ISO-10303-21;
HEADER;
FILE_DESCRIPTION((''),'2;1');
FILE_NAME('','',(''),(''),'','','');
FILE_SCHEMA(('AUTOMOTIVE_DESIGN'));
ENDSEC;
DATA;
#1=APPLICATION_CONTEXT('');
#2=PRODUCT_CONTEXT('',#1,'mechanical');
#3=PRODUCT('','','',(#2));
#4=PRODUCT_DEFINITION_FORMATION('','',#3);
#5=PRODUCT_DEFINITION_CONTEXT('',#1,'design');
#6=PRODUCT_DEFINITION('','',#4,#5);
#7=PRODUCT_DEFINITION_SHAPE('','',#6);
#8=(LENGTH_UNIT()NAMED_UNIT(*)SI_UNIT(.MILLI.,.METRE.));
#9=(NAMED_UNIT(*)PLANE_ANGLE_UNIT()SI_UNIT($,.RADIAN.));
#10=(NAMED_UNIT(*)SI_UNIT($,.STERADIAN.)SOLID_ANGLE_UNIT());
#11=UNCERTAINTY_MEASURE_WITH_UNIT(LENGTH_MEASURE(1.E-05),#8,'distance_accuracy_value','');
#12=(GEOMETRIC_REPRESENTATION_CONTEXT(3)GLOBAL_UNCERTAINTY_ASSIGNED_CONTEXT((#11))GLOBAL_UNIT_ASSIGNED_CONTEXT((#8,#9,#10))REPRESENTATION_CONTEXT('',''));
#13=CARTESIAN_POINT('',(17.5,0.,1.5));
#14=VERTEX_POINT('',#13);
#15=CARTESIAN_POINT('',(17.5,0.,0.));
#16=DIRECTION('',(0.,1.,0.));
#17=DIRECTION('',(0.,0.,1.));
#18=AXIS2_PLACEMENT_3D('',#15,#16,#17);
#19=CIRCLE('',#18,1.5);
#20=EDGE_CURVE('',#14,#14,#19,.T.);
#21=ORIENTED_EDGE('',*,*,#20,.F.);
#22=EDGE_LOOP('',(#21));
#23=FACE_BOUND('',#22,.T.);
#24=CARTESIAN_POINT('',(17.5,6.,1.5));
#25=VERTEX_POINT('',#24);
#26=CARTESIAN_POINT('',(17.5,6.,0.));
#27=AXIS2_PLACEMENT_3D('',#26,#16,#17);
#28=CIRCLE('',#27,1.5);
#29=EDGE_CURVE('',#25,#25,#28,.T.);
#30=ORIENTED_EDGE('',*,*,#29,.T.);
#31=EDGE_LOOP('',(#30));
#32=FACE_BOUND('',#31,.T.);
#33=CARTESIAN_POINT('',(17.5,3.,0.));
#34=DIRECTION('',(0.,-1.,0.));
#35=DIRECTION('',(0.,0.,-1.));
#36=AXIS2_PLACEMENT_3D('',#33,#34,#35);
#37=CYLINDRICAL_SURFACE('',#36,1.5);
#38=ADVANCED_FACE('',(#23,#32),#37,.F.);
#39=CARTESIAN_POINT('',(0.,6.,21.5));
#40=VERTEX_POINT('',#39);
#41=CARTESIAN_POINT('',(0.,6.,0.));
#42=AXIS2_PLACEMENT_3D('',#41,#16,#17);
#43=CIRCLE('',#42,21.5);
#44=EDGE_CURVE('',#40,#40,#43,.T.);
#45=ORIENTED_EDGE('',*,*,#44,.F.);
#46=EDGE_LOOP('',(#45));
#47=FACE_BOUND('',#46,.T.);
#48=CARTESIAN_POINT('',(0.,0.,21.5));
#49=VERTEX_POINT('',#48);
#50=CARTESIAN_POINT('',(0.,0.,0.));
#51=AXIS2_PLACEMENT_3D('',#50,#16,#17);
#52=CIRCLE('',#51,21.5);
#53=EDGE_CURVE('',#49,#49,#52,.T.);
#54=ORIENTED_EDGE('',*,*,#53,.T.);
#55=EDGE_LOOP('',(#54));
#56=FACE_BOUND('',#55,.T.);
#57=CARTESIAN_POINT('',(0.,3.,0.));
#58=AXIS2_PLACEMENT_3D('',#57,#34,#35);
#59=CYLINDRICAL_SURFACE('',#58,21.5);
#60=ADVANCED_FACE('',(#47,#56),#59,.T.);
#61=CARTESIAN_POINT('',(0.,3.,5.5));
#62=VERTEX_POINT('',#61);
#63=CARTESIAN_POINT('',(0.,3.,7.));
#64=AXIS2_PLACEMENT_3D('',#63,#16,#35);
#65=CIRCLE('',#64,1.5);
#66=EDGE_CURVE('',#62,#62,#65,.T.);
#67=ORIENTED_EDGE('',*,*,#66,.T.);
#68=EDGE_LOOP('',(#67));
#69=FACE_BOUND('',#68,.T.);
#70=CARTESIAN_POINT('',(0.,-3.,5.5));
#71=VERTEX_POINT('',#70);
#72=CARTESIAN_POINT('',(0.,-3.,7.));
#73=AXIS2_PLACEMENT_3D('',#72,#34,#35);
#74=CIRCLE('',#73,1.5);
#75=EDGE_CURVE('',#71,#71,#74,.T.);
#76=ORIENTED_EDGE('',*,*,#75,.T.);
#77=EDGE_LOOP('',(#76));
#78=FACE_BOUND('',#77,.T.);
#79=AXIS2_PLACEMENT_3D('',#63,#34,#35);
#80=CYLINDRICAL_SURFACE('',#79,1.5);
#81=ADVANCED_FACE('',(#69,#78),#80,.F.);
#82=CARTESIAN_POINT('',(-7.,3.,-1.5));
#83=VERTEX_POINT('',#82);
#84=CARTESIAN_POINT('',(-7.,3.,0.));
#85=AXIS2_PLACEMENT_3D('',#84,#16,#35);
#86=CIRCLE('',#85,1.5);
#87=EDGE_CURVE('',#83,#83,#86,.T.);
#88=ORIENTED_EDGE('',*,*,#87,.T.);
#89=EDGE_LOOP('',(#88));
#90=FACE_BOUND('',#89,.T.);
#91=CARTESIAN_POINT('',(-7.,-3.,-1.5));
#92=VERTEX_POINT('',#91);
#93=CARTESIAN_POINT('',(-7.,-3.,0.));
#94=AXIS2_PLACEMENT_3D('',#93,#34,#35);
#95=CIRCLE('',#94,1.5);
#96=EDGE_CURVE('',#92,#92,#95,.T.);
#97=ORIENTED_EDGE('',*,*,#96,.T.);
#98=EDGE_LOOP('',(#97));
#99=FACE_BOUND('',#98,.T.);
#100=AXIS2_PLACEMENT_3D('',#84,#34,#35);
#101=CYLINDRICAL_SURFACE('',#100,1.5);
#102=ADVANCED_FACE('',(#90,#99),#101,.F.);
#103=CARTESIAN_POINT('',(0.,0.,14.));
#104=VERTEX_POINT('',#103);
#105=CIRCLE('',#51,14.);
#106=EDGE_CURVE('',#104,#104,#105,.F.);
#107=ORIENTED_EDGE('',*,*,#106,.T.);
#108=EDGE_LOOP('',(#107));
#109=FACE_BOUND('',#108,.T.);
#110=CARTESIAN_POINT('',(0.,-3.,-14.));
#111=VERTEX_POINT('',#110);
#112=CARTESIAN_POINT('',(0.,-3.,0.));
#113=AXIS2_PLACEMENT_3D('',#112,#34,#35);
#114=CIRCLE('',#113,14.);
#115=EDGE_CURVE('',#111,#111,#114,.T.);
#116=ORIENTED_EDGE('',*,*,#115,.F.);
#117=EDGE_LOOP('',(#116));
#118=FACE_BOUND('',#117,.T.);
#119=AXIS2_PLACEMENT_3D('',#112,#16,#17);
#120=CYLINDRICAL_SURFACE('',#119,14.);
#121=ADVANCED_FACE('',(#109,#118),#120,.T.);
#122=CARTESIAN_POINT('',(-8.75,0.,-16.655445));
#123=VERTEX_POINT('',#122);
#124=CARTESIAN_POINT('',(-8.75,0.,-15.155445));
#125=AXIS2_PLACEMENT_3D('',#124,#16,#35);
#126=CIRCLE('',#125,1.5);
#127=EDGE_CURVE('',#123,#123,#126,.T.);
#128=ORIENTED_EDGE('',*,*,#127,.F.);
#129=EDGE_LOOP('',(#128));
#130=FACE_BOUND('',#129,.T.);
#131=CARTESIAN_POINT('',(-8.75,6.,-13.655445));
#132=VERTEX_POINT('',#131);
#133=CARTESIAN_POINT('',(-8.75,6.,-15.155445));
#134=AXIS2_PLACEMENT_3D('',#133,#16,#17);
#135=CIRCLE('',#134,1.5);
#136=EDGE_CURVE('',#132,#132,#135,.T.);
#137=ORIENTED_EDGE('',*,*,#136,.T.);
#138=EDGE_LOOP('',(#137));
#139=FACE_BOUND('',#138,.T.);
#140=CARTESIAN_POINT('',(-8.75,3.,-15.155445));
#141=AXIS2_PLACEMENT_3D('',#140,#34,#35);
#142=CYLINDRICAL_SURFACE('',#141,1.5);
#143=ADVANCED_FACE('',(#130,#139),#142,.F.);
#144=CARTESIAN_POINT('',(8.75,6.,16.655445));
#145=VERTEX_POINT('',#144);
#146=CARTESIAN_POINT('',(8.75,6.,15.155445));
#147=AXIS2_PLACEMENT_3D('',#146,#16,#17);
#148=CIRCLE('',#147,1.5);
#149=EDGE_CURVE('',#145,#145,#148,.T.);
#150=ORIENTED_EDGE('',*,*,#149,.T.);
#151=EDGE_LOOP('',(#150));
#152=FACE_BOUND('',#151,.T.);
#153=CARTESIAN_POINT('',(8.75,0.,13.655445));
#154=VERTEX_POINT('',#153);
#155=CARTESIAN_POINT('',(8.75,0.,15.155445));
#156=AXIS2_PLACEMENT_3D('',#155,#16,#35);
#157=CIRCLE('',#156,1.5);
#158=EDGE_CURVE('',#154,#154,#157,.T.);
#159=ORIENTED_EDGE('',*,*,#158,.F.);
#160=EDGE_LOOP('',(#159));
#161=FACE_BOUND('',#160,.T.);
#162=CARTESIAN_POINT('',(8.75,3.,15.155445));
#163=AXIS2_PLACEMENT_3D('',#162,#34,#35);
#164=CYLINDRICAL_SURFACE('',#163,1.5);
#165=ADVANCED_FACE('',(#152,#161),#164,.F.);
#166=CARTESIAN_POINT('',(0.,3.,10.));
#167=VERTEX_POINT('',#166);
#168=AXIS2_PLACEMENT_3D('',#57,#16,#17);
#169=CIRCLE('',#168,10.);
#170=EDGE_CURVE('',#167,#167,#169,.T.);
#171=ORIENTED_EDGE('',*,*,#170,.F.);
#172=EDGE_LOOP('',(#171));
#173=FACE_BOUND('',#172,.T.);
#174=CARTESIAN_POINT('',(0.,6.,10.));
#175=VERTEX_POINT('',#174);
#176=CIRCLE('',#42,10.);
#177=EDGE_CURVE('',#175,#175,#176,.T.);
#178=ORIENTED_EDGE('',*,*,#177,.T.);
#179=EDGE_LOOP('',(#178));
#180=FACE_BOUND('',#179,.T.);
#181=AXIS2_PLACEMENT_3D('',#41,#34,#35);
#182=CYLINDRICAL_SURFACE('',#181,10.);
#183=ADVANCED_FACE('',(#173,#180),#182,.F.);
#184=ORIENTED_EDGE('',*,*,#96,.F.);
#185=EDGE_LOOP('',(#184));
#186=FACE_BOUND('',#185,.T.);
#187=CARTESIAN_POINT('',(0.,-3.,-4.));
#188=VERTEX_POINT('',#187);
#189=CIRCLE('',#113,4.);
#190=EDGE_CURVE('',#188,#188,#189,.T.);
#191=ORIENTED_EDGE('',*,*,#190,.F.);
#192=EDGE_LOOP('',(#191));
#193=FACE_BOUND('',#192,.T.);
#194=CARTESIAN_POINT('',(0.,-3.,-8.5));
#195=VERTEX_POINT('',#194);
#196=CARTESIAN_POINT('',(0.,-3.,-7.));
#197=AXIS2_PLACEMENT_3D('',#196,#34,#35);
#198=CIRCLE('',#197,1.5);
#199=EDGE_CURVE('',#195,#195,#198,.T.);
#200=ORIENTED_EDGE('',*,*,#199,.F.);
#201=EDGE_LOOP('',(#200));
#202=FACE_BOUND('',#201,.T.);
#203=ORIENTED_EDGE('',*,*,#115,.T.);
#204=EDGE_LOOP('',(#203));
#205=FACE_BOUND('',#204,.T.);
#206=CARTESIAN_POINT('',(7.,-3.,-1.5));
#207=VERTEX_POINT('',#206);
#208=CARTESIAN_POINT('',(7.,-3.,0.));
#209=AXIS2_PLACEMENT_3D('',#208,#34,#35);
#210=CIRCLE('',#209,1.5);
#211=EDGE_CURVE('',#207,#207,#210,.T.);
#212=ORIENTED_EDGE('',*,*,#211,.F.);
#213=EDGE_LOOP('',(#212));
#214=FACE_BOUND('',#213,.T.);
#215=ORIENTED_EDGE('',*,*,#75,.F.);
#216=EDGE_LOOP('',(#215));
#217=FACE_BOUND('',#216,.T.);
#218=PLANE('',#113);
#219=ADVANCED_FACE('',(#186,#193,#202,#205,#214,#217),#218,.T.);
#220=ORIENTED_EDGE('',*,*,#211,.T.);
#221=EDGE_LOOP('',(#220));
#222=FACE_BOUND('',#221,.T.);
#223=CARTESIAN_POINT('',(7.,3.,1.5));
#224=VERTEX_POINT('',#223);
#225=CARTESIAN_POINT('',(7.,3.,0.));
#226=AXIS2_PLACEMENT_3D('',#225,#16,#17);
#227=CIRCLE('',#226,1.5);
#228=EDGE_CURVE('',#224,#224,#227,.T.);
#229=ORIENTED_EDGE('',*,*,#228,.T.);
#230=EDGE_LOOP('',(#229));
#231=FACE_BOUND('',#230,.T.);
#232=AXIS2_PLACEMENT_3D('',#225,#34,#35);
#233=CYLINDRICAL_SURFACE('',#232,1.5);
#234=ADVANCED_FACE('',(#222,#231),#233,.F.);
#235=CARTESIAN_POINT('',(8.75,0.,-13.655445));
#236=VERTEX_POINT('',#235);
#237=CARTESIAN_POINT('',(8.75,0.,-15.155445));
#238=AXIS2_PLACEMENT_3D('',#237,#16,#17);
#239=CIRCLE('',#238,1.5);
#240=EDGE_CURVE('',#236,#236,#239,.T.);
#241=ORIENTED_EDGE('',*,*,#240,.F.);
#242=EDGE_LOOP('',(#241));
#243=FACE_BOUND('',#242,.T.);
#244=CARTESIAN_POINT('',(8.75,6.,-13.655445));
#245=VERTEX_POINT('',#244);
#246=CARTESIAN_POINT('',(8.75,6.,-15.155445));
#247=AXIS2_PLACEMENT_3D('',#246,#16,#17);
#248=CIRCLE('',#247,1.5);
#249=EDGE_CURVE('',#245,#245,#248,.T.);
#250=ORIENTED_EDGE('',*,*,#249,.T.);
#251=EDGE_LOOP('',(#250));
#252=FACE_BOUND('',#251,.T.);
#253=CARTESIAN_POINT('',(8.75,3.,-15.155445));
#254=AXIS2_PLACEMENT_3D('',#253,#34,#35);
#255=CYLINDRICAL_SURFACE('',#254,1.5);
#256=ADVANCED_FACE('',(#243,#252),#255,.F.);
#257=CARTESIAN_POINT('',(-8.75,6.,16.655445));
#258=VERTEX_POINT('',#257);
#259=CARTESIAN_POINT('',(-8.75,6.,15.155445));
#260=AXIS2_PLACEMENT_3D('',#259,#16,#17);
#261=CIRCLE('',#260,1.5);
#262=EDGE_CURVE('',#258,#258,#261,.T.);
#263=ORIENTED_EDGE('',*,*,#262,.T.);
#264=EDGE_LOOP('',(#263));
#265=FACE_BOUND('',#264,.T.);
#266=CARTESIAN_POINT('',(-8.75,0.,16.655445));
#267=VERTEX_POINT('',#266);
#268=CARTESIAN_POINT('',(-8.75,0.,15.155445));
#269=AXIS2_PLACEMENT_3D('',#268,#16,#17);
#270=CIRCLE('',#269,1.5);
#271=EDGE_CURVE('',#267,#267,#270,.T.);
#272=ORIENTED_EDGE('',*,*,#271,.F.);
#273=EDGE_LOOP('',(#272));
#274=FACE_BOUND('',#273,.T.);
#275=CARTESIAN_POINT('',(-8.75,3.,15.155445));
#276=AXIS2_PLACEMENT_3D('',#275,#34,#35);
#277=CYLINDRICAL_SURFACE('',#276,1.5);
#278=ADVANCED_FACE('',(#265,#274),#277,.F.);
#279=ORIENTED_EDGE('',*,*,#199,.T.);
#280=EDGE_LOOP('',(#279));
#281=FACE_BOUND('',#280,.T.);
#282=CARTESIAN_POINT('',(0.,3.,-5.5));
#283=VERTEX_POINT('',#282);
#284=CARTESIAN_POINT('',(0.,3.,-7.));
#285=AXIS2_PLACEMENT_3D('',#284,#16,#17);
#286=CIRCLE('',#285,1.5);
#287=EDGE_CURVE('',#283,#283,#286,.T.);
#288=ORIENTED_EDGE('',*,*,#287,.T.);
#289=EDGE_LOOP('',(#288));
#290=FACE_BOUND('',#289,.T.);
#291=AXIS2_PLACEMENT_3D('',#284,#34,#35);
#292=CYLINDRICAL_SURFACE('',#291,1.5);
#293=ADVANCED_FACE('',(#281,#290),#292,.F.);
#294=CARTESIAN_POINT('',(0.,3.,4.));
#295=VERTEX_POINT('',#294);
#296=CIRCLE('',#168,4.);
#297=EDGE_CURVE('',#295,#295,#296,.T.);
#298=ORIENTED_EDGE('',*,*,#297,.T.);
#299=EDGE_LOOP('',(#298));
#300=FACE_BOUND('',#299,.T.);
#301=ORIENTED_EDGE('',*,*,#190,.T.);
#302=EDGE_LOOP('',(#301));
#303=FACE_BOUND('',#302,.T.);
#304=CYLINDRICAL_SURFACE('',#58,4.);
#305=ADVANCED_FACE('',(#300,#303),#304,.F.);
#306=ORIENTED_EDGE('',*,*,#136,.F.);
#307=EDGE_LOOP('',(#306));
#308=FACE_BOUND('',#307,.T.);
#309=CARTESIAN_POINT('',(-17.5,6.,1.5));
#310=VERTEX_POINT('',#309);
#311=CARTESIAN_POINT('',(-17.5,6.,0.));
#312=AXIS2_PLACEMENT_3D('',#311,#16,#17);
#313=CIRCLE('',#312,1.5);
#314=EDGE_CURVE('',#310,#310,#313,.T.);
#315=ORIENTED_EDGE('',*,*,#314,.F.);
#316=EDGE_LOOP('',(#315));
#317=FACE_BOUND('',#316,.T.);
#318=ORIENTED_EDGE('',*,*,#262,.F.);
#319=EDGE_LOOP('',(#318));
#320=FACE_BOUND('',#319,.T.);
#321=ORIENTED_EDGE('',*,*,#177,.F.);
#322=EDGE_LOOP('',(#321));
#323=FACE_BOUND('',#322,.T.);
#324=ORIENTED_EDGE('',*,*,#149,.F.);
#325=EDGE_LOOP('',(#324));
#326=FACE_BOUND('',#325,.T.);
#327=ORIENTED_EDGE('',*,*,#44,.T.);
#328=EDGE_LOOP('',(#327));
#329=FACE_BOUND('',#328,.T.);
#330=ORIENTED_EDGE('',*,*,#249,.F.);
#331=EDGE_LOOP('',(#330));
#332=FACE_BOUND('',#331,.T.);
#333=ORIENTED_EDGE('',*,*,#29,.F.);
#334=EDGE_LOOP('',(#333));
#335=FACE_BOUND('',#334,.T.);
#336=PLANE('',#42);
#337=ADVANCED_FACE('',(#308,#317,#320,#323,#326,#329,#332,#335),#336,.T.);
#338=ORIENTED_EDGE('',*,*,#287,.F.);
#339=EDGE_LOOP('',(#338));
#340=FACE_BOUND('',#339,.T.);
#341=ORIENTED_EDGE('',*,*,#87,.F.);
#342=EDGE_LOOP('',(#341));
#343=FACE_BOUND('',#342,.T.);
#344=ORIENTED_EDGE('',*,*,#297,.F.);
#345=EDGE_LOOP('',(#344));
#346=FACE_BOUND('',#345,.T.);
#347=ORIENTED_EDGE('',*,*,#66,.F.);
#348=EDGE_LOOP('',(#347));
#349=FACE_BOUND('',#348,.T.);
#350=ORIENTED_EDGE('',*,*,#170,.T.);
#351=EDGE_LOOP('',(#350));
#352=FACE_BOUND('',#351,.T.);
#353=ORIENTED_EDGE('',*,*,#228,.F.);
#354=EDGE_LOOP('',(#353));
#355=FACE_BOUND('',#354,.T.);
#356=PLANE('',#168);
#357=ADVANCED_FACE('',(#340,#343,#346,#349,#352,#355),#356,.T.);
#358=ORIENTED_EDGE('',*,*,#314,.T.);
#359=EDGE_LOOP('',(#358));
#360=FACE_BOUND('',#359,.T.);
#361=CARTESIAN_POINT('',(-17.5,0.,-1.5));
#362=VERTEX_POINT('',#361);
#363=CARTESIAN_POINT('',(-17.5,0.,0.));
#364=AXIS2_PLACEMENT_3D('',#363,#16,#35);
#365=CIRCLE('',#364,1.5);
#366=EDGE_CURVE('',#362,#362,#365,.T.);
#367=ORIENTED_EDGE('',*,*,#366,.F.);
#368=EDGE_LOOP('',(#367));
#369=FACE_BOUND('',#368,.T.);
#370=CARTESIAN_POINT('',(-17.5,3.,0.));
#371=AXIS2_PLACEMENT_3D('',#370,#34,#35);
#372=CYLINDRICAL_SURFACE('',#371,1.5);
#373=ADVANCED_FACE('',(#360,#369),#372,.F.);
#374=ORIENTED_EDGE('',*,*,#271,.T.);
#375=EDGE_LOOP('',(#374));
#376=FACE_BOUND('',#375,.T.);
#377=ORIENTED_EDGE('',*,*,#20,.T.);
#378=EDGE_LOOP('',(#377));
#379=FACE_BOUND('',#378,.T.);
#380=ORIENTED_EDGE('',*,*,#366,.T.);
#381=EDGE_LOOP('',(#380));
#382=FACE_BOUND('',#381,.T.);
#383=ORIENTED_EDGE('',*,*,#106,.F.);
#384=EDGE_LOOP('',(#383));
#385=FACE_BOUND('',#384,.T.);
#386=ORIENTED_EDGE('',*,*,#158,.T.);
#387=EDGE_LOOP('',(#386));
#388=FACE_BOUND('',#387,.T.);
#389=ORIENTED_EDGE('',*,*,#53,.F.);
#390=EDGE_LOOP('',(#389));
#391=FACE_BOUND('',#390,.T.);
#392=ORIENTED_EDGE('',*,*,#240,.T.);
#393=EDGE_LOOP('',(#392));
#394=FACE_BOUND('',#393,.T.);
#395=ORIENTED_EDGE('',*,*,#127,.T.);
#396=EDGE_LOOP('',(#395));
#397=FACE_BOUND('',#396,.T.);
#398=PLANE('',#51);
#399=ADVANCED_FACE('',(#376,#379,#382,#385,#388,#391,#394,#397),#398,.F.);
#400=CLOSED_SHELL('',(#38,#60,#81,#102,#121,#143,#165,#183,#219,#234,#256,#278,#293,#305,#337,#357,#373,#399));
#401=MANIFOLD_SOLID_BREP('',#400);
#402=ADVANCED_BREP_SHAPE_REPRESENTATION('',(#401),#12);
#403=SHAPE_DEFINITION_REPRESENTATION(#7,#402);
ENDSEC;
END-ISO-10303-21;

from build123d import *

# Parameters (mm, degrees)
SKETCH_1_R      = 21.5
SKETCH_1_R_2    = 4
SKETCH_1_R_3    = 1.5
EXTRUDE_1_DEPTH = 3
SKETCH_2_R      = 21.5
SKETCH_2_R_2    = 1.5
SKETCH_2_R_3    = 10
EXTRUDE_2_DEPTH = 3
EXTRUDE_START   = 3
SKETCH_3_R      = 14
SKETCH_3_R_2    = 1.5
SKETCH_3_R_3    = 4
EXTRUDE_3_DEPTH = 3


with BuildPart() as part:
    # 草图1 → 凸台-拉伸1 (new body)
    with BuildSketch(Plane(origin=(0, 0, 0), x_dir=(1, 0, 0), z_dir=(0, 1, 0))):
        with Locations(Location((0, 0, 0), (0, 0, 270))):
            Circle(SKETCH_1_R)
        with Locations(Location((0, 0, 0), (0, 0, 270))):
            Circle(SKETCH_1_R_2, mode=Mode.SUBTRACT)
        with Locations(Location((0, 7, 0), (0, 0, 270))):
            Circle(SKETCH_1_R_3, mode=Mode.SUBTRACT)
        with Locations(Location((7, 0, 0), (0, 0, 270))):
            Circle(SKETCH_1_R_3, mode=Mode.SUBTRACT)
        with Locations(Location((0, -7, 0), (0, 0, 90))):
            Circle(SKETCH_1_R_3, mode=Mode.SUBTRACT)
        with Locations(Location((-7, 0, 0), (0, 0, 90))):
            Circle(SKETCH_1_R_3, mode=Mode.SUBTRACT)
        with Locations(Location((8.75, 15.155444566, 0), (0, 0, 270))):
            Circle(SKETCH_1_R_3, mode=Mode.SUBTRACT)
        with Locations(Location((17.5, 0, 0), (0, 0, 270))):
            Circle(SKETCH_1_R_3, mode=Mode.SUBTRACT)
        with Locations(Location((-17.5, 0, 0), (0, 0, 90))):
            Circle(SKETCH_1_R_3, mode=Mode.SUBTRACT)
        with Locations(Location((-8.75, 15.155444566, 0), (0, 0, 90))):
            Circle(SKETCH_1_R_3, mode=Mode.SUBTRACT)
        with Locations(Location((8.75, -15.155444566, 0), (0, 0, 90))):
            Circle(SKETCH_1_R_3, mode=Mode.SUBTRACT)
        with Locations(Location((-8.75, -15.155444566, 0), (0, 0, 270))):
            Circle(SKETCH_1_R_3, mode=Mode.SUBTRACT)
    extrude(amount=EXTRUDE_1_DEPTH)

    # 草图2 → 凸台-拉伸2 (add)
    with BuildSketch(Plane(origin=(0, 3, 0), x_dir=(1, 0, 0), z_dir=(0, 1, 0))):
        with Locations(Location((0, 0, 0), (0, 0, 270))):
            Circle(SKETCH_2_R)
        with Locations(Location((-17.5, 0, 0), (0, 0, 90))):
            Circle(SKETCH_2_R_2, mode=Mode.SUBTRACT)
        with Locations(Location((-8.75, -15.155444566, 0), (0, 0, 270))):
            Circle(SKETCH_2_R_2, mode=Mode.SUBTRACT)
        with Locations(Location((8.75, -15.155444566, 0), (0, 0, 90))):
            Circle(SKETCH_2_R_2, mode=Mode.SUBTRACT)
        with Locations(Location((17.5, 0, 0), (0, 0, 270))):
            Circle(SKETCH_2_R_2, mode=Mode.SUBTRACT)
        with Locations(Location((8.75, 15.155444566, 0), (0, 0, 270))):
            Circle(SKETCH_2_R_2, mode=Mode.SUBTRACT)
        with Locations(Location((-8.75, 15.155444566, 0), (0, 0, 90))):
            Circle(SKETCH_2_R_2, mode=Mode.SUBTRACT)
        with Locations(Location((0, 0, 0), (0, 0, 270))):
            Circle(SKETCH_2_R_3, mode=Mode.SUBTRACT)
    extrude(amount=EXTRUDE_2_DEPTH)

    # 草图3 → 凸台-拉伸3 (add)
    with BuildSketch(Plane.XZ.offset(EXTRUDE_START)):
        with Locations(Location((0, 0, 0), (0, 0, 90))):
            Circle(SKETCH_3_R)
        with Locations(Location((7, 0, 0), (0, 0, 270))):
            Circle(SKETCH_3_R_2, mode=Mode.SUBTRACT)
        with Locations(Location((0, 0, 0), (0, 0, 270))):
            Circle(SKETCH_3_R_3, mode=Mode.SUBTRACT)
        with Locations(Location((0, -7, 0), (0, 0, 270))):
            Circle(SKETCH_3_R_2, mode=Mode.SUBTRACT)
        with Locations(Location((-7, 0, 0), (0, 0, 270))):
            Circle(SKETCH_3_R_2, mode=Mode.SUBTRACT)
        with Locations(Location((0, 7, 0), (0, 0, 270))):
            Circle(SKETCH_3_R_2, mode=Mode.SUBTRACT)
    extrude(amount=-EXTRUDE_3_DEPTH)


solid = part.part
